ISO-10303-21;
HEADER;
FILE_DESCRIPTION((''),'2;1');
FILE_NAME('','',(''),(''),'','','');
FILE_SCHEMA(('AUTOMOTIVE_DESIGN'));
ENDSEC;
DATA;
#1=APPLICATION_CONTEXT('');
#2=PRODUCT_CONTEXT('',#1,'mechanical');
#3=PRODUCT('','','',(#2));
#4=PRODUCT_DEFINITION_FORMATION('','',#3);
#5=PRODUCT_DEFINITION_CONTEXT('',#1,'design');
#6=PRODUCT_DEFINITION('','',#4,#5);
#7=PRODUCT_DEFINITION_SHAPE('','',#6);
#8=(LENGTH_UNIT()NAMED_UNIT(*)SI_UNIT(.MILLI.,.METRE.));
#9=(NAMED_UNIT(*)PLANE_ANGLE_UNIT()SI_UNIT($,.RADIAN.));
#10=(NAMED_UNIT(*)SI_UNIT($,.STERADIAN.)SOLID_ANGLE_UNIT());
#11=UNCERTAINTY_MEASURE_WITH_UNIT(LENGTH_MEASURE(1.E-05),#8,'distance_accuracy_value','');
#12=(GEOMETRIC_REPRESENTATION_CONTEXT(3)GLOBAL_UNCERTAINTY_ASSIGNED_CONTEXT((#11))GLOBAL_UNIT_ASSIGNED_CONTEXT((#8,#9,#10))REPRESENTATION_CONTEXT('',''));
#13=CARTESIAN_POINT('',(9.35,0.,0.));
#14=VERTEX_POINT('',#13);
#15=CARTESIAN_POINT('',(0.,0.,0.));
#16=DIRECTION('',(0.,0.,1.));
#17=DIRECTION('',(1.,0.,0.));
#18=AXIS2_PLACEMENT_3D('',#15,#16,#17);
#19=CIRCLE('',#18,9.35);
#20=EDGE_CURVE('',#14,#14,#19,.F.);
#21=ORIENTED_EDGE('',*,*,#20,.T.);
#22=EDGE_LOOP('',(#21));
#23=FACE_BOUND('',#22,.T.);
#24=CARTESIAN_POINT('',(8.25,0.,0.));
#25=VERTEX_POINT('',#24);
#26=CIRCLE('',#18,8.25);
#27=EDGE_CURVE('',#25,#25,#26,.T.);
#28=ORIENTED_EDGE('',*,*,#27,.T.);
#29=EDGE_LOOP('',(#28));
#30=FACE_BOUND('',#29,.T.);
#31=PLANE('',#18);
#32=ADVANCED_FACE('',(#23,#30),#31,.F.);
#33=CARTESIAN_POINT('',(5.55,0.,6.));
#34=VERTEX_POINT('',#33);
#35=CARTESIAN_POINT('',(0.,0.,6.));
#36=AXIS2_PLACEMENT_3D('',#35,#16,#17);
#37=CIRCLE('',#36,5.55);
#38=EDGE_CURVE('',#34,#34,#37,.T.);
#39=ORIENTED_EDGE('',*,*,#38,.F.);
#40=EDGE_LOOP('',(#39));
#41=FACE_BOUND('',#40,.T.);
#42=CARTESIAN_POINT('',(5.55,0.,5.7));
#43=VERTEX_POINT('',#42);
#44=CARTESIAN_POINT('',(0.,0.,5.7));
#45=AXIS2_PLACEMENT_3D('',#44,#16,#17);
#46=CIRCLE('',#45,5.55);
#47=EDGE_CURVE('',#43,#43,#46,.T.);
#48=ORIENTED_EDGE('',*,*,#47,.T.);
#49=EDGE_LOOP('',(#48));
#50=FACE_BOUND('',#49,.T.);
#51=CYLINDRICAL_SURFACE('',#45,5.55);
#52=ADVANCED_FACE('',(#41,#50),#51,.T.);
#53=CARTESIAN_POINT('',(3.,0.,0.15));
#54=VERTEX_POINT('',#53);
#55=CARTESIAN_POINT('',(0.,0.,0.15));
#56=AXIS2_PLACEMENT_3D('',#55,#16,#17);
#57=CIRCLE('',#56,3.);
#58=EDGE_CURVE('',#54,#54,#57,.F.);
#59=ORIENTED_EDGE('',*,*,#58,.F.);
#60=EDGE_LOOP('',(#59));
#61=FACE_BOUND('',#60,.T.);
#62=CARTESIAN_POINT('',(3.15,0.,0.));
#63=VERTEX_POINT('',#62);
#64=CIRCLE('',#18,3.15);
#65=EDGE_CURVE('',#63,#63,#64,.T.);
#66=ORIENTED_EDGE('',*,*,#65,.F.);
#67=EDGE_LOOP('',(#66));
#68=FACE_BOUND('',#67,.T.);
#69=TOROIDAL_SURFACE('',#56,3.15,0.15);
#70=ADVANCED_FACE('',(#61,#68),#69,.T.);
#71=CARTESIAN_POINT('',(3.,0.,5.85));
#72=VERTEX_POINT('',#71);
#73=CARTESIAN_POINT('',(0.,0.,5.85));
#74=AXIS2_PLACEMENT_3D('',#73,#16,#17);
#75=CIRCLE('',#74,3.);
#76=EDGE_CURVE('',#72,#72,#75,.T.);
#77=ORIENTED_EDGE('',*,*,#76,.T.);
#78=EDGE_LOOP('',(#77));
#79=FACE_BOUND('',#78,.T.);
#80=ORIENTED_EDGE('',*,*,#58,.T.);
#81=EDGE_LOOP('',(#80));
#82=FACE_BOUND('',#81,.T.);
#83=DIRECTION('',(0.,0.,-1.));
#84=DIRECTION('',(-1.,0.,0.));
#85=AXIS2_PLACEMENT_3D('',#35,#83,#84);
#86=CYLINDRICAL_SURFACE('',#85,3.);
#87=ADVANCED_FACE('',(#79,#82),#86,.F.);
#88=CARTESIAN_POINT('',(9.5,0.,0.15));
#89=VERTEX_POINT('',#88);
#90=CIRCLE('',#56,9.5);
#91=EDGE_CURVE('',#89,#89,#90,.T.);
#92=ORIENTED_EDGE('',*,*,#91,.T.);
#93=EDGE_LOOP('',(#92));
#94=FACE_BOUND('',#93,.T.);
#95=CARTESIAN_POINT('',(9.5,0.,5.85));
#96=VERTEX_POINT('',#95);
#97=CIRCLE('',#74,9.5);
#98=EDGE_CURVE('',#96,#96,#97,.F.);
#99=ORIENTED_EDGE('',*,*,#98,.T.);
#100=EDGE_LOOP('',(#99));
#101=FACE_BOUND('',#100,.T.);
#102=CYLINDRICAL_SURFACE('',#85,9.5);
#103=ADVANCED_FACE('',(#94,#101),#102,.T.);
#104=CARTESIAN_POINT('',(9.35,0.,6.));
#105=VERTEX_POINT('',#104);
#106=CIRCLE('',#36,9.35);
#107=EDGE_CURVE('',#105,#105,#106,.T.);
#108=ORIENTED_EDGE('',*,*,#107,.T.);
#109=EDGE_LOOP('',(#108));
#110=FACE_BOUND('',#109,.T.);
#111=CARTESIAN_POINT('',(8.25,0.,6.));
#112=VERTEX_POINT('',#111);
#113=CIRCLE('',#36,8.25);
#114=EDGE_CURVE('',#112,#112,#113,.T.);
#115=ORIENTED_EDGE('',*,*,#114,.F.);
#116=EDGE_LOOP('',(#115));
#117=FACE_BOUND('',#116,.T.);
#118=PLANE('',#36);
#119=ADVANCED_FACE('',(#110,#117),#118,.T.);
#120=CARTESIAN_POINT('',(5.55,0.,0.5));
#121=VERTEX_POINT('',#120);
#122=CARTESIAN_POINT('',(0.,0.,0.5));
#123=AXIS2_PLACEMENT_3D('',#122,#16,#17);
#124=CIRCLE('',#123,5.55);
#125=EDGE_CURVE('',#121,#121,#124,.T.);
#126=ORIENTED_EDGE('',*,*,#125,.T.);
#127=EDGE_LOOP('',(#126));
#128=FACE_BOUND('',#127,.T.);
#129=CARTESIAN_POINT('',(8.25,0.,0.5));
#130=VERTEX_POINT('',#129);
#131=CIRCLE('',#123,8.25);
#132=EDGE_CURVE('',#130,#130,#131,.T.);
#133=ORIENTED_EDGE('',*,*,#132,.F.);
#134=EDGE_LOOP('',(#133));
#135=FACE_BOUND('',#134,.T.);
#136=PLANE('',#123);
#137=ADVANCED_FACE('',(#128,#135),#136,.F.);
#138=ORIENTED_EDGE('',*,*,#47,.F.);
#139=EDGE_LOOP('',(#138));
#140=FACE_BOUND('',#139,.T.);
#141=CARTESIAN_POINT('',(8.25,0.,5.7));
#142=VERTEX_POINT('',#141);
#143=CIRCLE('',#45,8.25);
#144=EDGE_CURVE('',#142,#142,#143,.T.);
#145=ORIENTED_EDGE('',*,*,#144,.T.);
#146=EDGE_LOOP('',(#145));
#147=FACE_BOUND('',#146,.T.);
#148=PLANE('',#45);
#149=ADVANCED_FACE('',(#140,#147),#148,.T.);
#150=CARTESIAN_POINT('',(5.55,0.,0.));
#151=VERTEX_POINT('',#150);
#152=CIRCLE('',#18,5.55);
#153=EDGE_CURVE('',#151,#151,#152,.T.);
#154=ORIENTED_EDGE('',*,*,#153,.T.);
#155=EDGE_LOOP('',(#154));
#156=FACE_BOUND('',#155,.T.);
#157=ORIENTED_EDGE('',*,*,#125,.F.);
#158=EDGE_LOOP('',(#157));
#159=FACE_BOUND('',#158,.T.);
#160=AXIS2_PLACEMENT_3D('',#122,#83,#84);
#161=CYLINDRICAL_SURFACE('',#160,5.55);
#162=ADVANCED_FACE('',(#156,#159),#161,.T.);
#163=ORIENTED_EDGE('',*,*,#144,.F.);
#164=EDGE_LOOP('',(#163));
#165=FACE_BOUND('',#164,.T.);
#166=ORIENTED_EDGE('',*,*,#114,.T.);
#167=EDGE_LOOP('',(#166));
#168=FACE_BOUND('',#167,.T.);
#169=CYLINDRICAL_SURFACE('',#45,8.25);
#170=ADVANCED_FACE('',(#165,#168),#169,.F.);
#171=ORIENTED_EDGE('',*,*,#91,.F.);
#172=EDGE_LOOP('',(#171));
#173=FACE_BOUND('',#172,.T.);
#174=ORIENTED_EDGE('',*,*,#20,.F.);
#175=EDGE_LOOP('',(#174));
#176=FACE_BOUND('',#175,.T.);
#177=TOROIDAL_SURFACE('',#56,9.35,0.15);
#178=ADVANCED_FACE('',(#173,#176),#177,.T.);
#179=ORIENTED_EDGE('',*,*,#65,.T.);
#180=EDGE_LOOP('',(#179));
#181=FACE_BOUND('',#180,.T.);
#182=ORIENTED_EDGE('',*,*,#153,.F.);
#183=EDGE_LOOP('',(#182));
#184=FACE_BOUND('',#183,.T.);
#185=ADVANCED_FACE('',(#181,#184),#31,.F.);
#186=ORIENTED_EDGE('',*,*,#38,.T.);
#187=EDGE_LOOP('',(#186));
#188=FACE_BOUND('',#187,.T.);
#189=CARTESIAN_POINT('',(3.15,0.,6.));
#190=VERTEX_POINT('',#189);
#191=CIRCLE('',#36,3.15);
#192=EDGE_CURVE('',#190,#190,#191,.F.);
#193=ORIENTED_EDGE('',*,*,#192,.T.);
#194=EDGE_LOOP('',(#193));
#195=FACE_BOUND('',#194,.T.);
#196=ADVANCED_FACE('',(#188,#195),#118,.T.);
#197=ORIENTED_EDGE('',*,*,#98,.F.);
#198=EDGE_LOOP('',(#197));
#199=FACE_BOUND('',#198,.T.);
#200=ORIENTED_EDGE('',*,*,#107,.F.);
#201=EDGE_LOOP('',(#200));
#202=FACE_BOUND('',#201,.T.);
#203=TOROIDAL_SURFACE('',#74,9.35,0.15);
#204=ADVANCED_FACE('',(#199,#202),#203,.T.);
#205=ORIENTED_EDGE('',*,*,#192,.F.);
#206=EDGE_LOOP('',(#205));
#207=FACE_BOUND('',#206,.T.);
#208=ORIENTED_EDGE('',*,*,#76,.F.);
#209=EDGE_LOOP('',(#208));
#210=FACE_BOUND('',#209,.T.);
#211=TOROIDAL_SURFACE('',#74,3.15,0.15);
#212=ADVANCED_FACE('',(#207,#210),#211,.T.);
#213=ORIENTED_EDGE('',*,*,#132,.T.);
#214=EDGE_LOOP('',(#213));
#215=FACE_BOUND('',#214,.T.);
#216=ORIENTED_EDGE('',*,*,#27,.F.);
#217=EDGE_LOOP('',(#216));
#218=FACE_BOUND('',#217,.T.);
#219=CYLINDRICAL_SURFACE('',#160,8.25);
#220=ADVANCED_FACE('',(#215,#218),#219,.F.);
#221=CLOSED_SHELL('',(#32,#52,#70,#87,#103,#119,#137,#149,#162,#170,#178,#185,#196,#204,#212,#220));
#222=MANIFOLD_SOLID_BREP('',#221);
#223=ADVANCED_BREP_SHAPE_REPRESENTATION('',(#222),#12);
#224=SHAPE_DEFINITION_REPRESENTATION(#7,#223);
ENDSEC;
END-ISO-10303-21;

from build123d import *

# Parameters (mm, degrees)
SKETCH1_R           = 9.5
SKETCH1_R_2         = 3
BOSS_EXTRUDE1_DEPTH = 6
SKETCH2_R           = 8.25
SKETCH2_R_2         = 5.55
CUT_EXTRUDE1_DEPTH  = 0.3
CUT_EXTRUDE2_START  = -5.5
SKETCH2_2_R         = 8.25
SKETCH2_2_R_2       = 5.55
CUT_EXTRUDE2_DEPTH  = 0.5
FILLET1_R           = 0.15


with BuildPart() as part:
    # Sketch1 → Boss-Extrude1 (new body)
    with BuildSketch(Plane.XY):
        Circle(SKETCH1_R)
        Circle(SKETCH1_R_2, mode=Mode.SUBTRACT)
    extrude(amount=BOSS_EXTRUDE1_DEPTH)

    # Sketch2 → Cut-Extrude1 (cut)
    with BuildSketch(Plane.XY.offset(6)):
        Circle(SKETCH2_R)
        Circle(SKETCH2_R_2, mode=Mode.SUBTRACT)
    extrude(amount=-CUT_EXTRUDE1_DEPTH, mode=Mode.SUBTRACT)

    # Sketch2<2> → Cut-Extrude2 (cut)
    with BuildSketch(Plane.XY.offset(6).offset(CUT_EXTRUDE2_START)):
        Circle(SKETCH2_2_R)
        Circle(SKETCH2_2_R_2, mode=Mode.SUBTRACT)
    extrude(amount=-CUT_EXTRUDE2_DEPTH, mode=Mode.SUBTRACT)

    # Fillet1
    fillet1_edges = [part.edges().sort_by_distance(p)[0] for p in [
        (-9.5, 0, 0),
        (-9.5, 0, 6),
        (-3, 0, 0),
        (-3, 0, 6),
    ]]
    fillet(fillet1_edges, radius=FILLET1_R)


solid = part.part
